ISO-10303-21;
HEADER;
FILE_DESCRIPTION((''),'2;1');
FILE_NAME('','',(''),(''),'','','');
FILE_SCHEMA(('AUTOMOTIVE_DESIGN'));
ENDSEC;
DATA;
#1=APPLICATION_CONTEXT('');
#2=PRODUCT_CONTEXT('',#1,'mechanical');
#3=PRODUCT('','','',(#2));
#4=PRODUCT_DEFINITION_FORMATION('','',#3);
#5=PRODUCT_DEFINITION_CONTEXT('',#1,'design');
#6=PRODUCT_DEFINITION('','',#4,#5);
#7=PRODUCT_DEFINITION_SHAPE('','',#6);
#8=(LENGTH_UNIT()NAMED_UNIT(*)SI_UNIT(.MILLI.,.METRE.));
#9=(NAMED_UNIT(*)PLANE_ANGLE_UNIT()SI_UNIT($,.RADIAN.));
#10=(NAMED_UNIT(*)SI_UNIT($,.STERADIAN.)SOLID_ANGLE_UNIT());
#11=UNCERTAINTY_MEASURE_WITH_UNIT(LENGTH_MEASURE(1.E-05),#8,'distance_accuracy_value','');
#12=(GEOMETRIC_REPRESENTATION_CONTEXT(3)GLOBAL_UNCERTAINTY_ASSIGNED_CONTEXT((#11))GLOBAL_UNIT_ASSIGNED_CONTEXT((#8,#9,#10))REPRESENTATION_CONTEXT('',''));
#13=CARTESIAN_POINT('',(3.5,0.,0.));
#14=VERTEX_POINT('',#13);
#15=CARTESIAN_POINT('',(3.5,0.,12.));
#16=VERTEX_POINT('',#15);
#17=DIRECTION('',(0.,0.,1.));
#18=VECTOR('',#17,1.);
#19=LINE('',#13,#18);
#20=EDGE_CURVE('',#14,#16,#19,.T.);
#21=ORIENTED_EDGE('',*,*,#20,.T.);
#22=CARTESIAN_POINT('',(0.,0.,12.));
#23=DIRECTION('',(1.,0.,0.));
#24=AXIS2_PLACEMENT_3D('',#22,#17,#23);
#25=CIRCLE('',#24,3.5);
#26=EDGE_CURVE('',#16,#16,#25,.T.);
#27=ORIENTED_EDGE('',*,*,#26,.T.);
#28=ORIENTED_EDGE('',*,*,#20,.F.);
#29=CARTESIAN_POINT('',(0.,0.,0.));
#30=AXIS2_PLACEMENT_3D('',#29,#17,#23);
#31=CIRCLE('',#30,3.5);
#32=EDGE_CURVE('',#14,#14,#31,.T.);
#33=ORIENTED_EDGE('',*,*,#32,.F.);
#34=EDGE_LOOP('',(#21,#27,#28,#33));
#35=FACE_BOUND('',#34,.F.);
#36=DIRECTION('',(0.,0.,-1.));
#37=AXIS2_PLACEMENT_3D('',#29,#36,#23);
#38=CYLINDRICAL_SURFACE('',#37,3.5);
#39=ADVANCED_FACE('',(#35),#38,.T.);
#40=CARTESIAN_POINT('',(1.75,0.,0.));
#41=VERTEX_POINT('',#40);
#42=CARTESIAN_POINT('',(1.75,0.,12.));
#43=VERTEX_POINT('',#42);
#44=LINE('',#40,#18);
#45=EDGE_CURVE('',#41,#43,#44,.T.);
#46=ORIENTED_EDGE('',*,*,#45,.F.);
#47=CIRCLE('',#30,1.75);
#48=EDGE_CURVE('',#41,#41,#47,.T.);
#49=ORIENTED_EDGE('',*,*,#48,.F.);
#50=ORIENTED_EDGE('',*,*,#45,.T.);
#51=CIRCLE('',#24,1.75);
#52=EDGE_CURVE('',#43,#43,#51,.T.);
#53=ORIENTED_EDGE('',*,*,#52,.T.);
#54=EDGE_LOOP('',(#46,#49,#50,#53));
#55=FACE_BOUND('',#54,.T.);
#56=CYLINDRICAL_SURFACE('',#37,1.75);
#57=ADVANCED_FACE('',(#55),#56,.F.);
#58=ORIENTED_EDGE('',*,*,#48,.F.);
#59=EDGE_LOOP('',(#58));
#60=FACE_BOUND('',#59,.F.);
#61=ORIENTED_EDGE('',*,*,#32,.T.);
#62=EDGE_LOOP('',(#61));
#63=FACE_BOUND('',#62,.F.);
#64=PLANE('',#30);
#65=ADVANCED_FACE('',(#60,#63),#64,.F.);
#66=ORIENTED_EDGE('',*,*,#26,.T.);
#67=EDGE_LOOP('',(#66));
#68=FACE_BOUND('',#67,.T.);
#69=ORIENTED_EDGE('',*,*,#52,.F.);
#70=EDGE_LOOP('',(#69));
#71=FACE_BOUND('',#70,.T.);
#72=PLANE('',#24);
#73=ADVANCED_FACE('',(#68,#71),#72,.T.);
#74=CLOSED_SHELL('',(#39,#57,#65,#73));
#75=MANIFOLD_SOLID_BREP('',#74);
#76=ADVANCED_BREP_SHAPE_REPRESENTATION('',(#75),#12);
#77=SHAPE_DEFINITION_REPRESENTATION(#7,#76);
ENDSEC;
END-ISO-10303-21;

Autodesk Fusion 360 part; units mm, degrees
sketch "Sketch1" plane through (0, 0, 0) normal (0, 0, 1) x (1, 0, 0)
  circle A0 centre (0, 0) radius 1.75
  circle A1 centre (0, 0) radius 3.5
  dimension "d1" = 3.5
  dimension "d2" = 7
extrude "Extrude1" add sketch "Sketch1" along normal blind 12
